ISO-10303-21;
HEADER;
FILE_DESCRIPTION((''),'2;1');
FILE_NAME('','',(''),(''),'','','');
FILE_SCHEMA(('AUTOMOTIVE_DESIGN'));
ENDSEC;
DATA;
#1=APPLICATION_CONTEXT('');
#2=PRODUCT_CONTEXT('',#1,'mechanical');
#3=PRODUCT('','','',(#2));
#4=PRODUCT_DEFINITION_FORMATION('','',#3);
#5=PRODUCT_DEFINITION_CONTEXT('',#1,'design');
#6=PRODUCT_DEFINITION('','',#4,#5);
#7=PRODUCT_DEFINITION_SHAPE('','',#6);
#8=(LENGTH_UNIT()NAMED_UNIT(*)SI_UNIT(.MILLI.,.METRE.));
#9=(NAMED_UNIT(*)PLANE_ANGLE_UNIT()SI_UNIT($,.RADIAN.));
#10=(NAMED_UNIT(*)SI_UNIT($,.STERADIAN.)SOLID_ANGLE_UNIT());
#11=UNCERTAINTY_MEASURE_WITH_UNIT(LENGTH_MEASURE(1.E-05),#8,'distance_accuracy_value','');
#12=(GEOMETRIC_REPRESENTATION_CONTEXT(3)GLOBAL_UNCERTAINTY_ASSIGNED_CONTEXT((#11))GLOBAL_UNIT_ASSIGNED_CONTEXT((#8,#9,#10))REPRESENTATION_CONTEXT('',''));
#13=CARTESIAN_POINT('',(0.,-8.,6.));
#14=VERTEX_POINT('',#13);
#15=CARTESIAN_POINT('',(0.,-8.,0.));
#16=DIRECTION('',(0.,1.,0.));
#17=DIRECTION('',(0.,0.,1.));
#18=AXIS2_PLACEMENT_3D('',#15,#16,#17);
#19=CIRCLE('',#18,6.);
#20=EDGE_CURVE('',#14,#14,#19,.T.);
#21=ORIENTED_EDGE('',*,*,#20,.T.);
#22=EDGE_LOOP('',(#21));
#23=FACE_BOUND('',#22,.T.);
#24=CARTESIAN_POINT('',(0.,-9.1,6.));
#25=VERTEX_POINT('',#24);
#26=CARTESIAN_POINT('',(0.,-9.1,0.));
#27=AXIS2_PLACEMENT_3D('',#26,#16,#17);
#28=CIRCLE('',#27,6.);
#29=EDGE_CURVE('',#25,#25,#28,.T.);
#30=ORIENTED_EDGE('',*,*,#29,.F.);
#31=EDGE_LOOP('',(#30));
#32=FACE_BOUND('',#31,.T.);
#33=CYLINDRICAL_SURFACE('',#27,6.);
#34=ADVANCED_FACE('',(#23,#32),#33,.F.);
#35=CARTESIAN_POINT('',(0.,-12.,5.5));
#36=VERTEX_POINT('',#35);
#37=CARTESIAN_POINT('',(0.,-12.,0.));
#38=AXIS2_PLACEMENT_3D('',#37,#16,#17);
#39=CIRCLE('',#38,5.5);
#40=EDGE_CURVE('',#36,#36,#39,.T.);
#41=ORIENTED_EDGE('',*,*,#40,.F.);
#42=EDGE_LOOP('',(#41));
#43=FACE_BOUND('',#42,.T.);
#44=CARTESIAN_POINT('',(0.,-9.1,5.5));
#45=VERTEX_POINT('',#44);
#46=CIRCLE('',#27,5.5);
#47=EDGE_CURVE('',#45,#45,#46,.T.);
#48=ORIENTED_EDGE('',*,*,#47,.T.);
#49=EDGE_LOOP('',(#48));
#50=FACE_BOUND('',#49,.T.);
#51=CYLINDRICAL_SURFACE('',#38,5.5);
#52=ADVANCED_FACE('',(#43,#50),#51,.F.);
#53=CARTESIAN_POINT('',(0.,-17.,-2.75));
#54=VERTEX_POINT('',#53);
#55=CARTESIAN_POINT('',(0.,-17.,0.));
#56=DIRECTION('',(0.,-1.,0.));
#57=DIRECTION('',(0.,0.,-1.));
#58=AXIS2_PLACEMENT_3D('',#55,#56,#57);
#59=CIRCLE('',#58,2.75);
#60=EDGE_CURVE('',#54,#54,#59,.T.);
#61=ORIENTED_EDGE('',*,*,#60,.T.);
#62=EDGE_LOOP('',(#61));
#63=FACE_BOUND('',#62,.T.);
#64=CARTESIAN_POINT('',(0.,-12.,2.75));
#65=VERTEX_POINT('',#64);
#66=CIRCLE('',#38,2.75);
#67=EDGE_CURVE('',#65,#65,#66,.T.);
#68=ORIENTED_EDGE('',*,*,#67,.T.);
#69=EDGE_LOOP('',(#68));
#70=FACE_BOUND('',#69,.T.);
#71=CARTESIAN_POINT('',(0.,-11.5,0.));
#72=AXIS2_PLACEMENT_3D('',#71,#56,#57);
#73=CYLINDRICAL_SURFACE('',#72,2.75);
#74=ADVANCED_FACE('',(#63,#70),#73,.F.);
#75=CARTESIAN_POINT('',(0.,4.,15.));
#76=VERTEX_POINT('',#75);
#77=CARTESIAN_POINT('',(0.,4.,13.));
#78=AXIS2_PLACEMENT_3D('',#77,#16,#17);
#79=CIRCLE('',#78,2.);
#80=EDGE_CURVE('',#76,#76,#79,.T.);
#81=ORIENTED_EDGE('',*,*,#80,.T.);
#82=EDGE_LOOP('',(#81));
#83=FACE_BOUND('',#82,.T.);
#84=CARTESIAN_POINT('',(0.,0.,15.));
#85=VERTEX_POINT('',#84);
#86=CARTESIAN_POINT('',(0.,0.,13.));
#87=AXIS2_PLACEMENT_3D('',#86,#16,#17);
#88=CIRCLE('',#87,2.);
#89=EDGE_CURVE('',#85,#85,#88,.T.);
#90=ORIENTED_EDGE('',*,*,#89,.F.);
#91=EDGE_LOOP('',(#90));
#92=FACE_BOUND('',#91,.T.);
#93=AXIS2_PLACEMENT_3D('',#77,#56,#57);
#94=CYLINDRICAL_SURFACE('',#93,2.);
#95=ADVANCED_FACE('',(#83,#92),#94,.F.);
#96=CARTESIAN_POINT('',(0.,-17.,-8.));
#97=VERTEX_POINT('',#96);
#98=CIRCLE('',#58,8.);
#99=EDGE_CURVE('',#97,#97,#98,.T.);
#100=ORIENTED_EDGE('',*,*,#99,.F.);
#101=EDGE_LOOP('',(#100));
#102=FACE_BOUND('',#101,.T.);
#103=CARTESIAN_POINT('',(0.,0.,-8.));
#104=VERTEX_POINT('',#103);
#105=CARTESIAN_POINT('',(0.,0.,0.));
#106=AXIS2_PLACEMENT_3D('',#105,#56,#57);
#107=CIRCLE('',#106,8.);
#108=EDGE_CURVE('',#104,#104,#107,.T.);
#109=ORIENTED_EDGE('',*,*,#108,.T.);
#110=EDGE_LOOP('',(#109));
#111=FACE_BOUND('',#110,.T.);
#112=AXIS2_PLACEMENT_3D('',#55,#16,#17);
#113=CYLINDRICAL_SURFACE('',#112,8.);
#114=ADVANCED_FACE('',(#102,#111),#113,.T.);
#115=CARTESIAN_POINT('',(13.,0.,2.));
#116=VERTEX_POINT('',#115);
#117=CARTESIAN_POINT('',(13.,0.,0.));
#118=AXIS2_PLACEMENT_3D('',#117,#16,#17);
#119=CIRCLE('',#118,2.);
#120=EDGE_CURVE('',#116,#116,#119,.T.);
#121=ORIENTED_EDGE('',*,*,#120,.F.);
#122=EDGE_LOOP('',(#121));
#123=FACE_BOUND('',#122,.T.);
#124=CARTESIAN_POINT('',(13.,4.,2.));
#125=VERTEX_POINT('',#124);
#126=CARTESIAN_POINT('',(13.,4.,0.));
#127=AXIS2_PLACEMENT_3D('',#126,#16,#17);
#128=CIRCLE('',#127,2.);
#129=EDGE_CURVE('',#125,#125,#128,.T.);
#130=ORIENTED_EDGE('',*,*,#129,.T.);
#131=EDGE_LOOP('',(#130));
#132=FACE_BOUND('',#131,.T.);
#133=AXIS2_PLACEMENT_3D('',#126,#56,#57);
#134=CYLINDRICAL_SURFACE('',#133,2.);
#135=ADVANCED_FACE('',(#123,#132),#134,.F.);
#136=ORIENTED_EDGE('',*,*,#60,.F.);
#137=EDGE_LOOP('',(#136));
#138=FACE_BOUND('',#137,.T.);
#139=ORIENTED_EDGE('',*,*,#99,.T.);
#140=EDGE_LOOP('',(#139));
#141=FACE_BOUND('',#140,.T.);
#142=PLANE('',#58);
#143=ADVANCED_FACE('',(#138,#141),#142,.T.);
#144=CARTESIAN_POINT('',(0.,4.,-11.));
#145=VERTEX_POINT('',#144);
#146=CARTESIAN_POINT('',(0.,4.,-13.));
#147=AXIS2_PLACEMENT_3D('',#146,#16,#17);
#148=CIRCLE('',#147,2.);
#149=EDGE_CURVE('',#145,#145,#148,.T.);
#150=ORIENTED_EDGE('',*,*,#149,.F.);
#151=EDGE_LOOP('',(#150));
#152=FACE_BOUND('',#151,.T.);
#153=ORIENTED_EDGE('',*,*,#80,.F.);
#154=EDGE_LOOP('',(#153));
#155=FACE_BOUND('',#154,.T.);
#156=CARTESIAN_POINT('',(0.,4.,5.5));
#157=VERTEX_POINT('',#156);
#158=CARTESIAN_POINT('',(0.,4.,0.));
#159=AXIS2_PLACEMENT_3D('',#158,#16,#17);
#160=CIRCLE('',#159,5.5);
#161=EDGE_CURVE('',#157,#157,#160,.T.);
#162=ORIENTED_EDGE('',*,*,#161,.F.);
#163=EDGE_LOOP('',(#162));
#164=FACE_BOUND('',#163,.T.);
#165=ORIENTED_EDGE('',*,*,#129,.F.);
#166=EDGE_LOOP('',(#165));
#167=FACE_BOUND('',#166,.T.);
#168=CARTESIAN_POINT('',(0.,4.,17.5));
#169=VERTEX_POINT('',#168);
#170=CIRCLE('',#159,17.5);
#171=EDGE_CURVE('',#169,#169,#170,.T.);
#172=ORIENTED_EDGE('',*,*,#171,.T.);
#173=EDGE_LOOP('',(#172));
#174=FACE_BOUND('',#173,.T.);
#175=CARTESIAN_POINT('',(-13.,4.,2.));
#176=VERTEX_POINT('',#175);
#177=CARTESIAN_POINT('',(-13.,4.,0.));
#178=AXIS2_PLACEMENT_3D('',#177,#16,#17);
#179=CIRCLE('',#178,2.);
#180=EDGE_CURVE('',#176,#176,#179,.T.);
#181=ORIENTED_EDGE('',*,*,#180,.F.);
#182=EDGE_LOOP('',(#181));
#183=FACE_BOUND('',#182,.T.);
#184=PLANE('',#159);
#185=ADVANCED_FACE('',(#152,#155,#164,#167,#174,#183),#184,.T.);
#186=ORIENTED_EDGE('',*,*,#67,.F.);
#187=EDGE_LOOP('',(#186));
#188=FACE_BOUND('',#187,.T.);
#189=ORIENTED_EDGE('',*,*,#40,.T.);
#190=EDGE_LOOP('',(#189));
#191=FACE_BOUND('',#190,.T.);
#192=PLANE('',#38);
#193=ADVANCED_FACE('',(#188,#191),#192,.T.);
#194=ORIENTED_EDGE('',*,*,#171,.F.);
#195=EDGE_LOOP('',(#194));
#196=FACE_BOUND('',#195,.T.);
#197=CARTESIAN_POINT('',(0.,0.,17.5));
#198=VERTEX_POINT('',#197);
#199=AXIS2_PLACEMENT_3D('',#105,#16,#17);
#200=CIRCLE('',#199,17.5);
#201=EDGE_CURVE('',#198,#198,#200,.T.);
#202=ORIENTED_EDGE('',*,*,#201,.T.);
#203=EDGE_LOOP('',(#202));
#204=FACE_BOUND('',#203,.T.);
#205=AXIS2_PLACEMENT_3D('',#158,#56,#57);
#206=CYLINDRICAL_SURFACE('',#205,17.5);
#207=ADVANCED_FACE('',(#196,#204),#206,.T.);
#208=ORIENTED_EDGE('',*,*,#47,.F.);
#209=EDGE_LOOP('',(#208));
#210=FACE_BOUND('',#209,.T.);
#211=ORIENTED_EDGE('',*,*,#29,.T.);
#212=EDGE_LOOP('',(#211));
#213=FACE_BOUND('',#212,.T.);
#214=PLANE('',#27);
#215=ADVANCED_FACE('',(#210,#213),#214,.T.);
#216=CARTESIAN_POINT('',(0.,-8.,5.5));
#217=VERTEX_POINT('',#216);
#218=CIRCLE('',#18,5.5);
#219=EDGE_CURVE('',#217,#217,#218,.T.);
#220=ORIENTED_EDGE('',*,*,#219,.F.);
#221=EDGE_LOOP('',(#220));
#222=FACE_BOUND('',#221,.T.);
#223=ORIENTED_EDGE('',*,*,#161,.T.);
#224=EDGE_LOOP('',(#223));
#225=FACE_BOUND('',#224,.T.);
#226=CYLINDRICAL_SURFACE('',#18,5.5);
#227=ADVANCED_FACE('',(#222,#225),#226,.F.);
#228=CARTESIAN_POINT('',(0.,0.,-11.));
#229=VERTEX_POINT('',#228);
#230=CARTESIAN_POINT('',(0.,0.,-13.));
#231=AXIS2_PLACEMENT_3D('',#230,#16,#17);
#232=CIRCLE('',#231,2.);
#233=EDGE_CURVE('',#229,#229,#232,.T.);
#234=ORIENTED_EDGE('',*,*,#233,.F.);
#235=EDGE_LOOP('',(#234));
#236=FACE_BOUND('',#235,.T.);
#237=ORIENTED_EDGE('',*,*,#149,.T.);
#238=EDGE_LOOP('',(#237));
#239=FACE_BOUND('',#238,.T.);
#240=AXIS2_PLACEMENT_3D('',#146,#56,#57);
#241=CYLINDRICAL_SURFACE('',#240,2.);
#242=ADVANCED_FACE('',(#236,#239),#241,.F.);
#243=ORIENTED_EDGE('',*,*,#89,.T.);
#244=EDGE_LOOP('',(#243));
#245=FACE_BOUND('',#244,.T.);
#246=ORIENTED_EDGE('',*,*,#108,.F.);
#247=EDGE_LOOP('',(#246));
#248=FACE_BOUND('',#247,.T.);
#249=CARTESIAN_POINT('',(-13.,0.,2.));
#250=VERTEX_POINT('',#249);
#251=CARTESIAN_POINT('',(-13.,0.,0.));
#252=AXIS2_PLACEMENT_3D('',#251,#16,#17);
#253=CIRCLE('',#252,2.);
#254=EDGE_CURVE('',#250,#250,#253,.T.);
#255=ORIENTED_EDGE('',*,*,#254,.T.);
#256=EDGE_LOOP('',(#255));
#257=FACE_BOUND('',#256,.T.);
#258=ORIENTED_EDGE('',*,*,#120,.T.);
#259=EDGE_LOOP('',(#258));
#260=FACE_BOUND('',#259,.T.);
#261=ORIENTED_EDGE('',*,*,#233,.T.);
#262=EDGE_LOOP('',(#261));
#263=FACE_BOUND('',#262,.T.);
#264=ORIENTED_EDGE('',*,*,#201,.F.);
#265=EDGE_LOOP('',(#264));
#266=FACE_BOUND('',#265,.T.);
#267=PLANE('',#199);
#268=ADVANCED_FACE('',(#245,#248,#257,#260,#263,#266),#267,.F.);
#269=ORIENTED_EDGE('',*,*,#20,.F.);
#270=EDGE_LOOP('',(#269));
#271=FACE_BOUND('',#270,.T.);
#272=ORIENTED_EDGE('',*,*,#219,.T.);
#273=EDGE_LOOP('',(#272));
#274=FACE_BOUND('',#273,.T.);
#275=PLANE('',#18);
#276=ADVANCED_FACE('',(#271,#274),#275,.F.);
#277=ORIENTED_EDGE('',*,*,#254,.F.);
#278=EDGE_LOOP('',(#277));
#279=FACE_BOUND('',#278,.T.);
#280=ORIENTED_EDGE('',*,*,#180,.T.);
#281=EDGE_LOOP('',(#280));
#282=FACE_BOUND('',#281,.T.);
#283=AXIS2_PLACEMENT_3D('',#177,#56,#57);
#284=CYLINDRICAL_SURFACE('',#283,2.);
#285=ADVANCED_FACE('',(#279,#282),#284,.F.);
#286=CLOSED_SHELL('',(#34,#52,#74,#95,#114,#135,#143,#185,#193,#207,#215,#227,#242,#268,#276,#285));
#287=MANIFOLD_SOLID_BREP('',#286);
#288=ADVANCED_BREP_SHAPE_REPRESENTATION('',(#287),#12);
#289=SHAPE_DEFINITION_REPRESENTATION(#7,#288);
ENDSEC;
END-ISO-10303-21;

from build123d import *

# Parameters (mm, degrees)
SKETCH1_R           = 17.5
SKETCH1_R_2         = 2
BOSS_EXTRUDE1_DEPTH = 4
SKETCH2_R           = 8
BOSS_EXTRUDE2_DEPTH = 17
SKETCH3_R           = 5.5
CUT_EXTRUDE1_DEPTH  = 12
SKETCH4_R           = 6
CUT_EXTRUDE2_DEPTH  = 1.1
SKETCH5_R           = 5.5
CUT_EXTRUDE3_DEPTH  = 2.9
SKETCH6_R           = 2.75
CUT_EXTRUDE4_DEPTH  = 5.5


with BuildPart() as part:
    # Sketch1 → Boss-Extrude1 (new body)
    with BuildSketch(Plane(origin=(0, 0, 0), x_dir=(1, 0, 0), z_dir=(0, 1, 0))):
        with Locations(Location((0, 0, 0), (0, 0, 270))):
            Circle(SKETCH1_R)
        with Locations(Location((0, 13, 0), (0, 0, 270))):
            Circle(SKETCH1_R_2, mode=Mode.SUBTRACT)
        with Locations(Location((13, 0, 0), (0, 0, 270))):
            Circle(SKETCH1_R_2, mode=Mode.SUBTRACT)
        with Locations(Location((0, -13, 0), (0, 0, 270))):
            Circle(SKETCH1_R_2, mode=Mode.SUBTRACT)
        with Locations(Location((-13, 0, 0), (0, 0, 270))):
            Circle(SKETCH1_R_2, mode=Mode.SUBTRACT)
    extrude(amount=BOSS_EXTRUDE1_DEPTH)

    # Sketch2 → Boss-Extrude2 (add)
    with BuildSketch(Plane.XZ):
        with Locations(Location((0, 0, 0), (0, 0, 270))):
            Circle(SKETCH2_R)
    extrude(amount=BOSS_EXTRUDE2_DEPTH)

    # Sketch3 → Cut-Extrude1 (cut)
    with BuildSketch(Plane(origin=(0, 4, 0), x_dir=(1, 0, 0), z_dir=(0, 1, 0))):
        with Locations(Location((0, 0, 0), (0, 0, 270))):
            Circle(SKETCH3_R)
    extrude(amount=-CUT_EXTRUDE1_DEPTH, mode=Mode.SUBTRACT)

    # Sketch4 → Cut-Extrude2 (cut)
    with BuildSketch(Plane(origin=(0, -8, 0), x_dir=(1, 0, 0), z_dir=(0, 1, 0))):
        with Locations(Location((0, 0, 0), (0, 0, 270))):
            Circle(SKETCH4_R)
    extrude(amount=-CUT_EXTRUDE2_DEPTH, mode=Mode.SUBTRACT)

    # Sketch5 → Cut-Extrude3 (cut)
    with BuildSketch(Plane(origin=(0, -9.1, 0), x_dir=(1, 0, 0), z_dir=(0, 1, 0))):
        with Locations(Location((0, 0, 0), (0, 0, 270))):
            Circle(SKETCH5_R)
    extrude(amount=-CUT_EXTRUDE3_DEPTH, mode=Mode.SUBTRACT)

    # Sketch6 → Cut-Extrude4 (cut)
    with BuildSketch(Plane.XZ.offset(17)):
        with Locations(Location((0, 0, 0), (0, 0, 270))):
            Circle(SKETCH6_R)
    extrude(amount=-CUT_EXTRUDE4_DEPTH, mode=Mode.SUBTRACT)


solid = part.part
